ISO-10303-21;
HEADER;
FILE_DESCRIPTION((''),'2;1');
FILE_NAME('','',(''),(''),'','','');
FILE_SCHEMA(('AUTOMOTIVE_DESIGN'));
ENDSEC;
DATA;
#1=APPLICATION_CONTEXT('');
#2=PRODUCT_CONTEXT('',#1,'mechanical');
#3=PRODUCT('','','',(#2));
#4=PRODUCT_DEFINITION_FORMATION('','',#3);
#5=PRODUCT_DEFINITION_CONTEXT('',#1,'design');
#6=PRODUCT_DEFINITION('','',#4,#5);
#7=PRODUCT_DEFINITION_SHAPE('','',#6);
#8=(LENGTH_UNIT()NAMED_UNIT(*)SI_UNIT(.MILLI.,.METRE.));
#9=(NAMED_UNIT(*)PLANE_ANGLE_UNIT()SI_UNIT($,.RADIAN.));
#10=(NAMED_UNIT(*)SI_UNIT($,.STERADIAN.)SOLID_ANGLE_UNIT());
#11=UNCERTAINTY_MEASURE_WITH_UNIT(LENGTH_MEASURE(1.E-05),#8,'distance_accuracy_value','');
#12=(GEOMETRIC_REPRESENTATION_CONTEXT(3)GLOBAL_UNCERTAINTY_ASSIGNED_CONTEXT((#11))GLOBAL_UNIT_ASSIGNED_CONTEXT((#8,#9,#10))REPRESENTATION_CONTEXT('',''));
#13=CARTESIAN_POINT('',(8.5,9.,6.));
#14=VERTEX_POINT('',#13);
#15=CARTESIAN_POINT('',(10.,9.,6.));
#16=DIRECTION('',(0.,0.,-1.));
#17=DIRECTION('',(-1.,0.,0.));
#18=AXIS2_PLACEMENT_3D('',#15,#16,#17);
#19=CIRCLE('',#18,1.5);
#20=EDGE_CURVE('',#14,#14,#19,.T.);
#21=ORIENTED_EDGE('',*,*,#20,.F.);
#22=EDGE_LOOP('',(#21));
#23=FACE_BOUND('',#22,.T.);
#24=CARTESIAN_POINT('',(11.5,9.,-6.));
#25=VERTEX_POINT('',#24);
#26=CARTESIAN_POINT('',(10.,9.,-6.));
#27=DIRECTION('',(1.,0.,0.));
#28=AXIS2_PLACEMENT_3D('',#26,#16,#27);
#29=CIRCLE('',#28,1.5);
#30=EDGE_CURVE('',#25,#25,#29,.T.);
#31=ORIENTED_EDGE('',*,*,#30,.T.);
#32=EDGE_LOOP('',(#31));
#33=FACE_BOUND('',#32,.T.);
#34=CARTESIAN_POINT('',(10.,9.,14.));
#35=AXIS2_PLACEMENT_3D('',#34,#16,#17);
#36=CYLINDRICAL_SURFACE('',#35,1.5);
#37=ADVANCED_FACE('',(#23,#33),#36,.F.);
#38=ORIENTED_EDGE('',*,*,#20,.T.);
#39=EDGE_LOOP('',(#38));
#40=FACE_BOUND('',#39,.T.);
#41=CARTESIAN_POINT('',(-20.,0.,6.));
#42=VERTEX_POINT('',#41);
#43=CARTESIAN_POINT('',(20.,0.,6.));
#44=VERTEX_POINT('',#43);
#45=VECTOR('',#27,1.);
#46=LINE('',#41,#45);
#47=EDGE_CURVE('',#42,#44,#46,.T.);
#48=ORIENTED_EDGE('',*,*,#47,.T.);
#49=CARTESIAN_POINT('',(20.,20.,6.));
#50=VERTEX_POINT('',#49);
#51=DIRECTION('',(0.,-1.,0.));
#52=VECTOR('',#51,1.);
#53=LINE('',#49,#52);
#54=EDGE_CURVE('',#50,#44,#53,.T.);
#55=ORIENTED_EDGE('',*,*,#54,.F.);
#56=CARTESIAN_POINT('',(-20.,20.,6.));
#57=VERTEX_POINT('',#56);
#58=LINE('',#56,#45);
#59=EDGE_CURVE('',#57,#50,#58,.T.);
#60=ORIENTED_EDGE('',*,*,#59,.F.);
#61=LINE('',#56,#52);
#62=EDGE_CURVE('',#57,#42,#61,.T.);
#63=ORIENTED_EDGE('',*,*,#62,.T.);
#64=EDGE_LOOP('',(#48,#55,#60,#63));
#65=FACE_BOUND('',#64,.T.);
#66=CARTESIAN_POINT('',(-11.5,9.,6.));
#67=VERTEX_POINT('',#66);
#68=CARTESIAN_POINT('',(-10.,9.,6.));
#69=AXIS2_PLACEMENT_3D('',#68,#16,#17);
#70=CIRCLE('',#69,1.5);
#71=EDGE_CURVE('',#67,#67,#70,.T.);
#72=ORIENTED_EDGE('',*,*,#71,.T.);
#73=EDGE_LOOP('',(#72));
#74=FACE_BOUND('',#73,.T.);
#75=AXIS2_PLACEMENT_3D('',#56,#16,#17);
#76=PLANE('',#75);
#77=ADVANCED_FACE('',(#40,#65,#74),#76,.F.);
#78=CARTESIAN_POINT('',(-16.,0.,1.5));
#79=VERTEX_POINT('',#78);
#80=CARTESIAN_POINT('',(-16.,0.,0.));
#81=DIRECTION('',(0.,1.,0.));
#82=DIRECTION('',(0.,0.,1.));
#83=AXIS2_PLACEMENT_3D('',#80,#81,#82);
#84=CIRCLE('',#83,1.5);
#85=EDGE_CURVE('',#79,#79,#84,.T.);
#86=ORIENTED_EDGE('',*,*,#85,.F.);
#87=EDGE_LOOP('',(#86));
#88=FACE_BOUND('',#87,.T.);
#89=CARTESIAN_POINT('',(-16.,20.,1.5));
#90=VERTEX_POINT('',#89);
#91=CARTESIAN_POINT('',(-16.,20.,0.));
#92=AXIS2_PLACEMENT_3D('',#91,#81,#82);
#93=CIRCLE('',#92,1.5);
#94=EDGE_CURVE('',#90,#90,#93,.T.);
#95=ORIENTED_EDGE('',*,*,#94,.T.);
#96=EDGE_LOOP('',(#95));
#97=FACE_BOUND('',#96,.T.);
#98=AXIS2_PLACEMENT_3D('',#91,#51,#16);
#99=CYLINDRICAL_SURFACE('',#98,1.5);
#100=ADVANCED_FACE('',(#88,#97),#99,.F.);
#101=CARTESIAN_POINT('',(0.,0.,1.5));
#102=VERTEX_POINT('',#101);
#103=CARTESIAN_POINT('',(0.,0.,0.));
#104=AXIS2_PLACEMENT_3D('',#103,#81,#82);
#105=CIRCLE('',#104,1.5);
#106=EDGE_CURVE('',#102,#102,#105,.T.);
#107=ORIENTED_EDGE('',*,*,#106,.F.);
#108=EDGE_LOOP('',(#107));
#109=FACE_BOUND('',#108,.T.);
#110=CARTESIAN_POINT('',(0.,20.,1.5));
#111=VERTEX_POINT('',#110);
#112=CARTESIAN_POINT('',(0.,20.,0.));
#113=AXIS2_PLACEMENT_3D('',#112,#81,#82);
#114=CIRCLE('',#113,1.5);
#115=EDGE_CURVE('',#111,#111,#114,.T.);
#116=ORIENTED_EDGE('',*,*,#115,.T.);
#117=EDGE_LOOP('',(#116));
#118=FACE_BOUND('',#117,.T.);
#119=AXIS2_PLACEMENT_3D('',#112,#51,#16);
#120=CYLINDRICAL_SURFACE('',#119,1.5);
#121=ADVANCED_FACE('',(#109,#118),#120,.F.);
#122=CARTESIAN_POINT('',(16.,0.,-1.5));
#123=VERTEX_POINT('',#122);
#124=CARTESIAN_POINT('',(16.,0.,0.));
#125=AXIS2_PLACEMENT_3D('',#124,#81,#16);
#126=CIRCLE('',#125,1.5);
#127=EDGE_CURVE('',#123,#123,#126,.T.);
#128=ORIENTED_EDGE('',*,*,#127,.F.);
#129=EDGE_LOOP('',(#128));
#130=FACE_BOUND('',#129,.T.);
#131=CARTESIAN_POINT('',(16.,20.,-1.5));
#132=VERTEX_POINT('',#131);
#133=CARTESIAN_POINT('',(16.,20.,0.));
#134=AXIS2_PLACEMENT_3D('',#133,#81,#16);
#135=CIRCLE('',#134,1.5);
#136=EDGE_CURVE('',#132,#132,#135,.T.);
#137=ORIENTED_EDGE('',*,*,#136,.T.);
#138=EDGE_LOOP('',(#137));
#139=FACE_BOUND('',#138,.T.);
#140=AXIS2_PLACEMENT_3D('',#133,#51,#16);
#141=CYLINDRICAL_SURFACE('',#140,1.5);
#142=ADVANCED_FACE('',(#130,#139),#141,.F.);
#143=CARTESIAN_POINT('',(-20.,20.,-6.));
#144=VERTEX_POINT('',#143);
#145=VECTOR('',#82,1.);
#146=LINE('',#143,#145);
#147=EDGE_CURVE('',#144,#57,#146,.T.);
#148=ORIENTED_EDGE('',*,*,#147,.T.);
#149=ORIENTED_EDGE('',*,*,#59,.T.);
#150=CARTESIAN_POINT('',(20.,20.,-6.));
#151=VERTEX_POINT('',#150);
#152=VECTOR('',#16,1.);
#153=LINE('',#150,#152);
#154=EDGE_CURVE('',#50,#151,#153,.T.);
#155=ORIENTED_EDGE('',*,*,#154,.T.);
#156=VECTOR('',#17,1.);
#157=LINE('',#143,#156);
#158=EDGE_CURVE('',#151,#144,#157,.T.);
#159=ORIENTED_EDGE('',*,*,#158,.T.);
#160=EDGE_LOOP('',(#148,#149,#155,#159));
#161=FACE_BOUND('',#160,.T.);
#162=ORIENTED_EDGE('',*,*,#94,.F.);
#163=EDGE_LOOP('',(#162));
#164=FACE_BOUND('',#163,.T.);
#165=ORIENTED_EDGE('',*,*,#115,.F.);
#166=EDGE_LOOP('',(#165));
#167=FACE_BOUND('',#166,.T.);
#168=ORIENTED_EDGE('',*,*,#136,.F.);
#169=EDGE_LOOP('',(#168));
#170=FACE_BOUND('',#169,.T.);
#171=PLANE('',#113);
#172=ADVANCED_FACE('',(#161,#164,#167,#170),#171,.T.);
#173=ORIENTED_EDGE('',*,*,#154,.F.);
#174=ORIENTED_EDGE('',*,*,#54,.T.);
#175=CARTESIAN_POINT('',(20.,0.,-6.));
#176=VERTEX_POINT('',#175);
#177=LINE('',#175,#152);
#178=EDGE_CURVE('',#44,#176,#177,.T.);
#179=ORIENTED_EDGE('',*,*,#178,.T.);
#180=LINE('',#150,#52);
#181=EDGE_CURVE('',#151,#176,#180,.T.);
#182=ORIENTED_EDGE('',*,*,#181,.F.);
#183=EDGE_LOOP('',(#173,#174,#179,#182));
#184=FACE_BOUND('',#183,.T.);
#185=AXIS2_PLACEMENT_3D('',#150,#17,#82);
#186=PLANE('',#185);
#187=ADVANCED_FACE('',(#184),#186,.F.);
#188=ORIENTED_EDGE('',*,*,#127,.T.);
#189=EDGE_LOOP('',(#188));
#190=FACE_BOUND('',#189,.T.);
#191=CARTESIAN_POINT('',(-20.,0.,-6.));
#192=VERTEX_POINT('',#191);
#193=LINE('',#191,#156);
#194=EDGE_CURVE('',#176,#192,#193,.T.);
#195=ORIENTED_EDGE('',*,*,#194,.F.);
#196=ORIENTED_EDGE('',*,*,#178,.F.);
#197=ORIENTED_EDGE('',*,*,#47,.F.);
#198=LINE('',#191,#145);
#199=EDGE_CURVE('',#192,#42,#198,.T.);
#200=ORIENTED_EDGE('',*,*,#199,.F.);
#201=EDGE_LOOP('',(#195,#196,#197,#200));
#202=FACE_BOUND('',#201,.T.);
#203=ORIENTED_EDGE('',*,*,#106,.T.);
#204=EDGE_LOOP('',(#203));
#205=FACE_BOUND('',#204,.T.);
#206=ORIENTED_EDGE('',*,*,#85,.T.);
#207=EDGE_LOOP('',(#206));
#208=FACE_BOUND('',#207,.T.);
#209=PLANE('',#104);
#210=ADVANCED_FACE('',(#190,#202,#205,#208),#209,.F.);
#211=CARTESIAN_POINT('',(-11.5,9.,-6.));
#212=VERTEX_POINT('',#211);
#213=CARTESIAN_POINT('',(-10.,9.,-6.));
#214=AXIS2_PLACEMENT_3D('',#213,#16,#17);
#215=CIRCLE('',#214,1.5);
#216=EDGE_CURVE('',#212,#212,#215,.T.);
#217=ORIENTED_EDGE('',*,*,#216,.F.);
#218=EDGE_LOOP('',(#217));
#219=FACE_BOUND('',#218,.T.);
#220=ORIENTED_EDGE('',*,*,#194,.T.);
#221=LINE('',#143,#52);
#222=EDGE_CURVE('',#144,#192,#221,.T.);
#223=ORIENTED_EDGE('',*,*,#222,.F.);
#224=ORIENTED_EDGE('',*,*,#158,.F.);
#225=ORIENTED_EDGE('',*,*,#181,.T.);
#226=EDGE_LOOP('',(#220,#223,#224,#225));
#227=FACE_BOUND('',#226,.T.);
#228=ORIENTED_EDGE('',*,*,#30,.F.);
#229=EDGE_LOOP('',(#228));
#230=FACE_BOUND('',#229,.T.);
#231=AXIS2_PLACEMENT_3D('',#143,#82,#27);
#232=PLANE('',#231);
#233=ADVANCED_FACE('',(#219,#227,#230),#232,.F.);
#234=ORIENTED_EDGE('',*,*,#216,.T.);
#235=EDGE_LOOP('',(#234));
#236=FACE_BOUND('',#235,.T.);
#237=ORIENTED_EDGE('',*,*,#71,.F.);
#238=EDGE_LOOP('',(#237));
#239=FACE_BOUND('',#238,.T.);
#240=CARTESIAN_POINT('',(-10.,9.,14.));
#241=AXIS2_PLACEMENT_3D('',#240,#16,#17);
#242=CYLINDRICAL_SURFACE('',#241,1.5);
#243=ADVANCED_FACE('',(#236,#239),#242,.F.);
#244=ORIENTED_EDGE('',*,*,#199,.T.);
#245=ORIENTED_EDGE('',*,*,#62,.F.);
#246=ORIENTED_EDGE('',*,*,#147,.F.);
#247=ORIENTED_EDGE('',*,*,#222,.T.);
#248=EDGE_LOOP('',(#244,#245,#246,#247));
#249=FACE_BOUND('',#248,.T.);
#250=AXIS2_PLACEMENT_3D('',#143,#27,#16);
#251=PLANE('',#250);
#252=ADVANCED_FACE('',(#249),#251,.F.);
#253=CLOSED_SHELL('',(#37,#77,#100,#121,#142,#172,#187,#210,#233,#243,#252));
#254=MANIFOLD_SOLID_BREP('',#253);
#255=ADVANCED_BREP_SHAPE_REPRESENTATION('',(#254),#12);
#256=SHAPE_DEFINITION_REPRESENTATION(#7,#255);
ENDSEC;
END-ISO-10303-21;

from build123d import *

# Parameters (mm, degrees)
SKETCH1_W           = 40
SKETCH1_H           = 12
SKETCH1_R           = 1.5
BOSS_EXTRUDE1_DEPTH = 20
SKETCH2_R           = 1.5
CUT_EXTRUDE1_DEPTH  = 20


with BuildPart() as part:
    # Sketch1 → Boss-Extrude1 (new body)
    with BuildSketch(Plane(origin=(0, 0, 0), x_dir=(1, 0, 0), z_dir=(0, 1, 0))):
        Rectangle(SKETCH1_W, SKETCH1_H)
        with Locations(Location((0, 0, 0), (0, 0, 270))):
            Circle(SKETCH1_R, mode=Mode.SUBTRACT)
        with Locations(Location((-16, 0, 0), (0, 0, 270))):
            Circle(SKETCH1_R, mode=Mode.SUBTRACT)
        with Locations(Location((16, 0, 0), (0, 0, 90))):
            Circle(SKETCH1_R, mode=Mode.SUBTRACT)
    extrude(amount=BOSS_EXTRUDE1_DEPTH)

    # Sketch2 → Cut-Extrude1 (cut)
    with BuildSketch(Plane(origin=(0, 0, -6), x_dir=(-1, 0, 0), z_dir=(0, 0, -1))):
        with Locations((10, 9)):
            Circle(SKETCH2_R)
        with Locations((-10, 9)):
            Circle(SKETCH2_R)
    extrude(amount=-CUT_EXTRUDE1_DEPTH, mode=Mode.SUBTRACT)


solid = part.part
